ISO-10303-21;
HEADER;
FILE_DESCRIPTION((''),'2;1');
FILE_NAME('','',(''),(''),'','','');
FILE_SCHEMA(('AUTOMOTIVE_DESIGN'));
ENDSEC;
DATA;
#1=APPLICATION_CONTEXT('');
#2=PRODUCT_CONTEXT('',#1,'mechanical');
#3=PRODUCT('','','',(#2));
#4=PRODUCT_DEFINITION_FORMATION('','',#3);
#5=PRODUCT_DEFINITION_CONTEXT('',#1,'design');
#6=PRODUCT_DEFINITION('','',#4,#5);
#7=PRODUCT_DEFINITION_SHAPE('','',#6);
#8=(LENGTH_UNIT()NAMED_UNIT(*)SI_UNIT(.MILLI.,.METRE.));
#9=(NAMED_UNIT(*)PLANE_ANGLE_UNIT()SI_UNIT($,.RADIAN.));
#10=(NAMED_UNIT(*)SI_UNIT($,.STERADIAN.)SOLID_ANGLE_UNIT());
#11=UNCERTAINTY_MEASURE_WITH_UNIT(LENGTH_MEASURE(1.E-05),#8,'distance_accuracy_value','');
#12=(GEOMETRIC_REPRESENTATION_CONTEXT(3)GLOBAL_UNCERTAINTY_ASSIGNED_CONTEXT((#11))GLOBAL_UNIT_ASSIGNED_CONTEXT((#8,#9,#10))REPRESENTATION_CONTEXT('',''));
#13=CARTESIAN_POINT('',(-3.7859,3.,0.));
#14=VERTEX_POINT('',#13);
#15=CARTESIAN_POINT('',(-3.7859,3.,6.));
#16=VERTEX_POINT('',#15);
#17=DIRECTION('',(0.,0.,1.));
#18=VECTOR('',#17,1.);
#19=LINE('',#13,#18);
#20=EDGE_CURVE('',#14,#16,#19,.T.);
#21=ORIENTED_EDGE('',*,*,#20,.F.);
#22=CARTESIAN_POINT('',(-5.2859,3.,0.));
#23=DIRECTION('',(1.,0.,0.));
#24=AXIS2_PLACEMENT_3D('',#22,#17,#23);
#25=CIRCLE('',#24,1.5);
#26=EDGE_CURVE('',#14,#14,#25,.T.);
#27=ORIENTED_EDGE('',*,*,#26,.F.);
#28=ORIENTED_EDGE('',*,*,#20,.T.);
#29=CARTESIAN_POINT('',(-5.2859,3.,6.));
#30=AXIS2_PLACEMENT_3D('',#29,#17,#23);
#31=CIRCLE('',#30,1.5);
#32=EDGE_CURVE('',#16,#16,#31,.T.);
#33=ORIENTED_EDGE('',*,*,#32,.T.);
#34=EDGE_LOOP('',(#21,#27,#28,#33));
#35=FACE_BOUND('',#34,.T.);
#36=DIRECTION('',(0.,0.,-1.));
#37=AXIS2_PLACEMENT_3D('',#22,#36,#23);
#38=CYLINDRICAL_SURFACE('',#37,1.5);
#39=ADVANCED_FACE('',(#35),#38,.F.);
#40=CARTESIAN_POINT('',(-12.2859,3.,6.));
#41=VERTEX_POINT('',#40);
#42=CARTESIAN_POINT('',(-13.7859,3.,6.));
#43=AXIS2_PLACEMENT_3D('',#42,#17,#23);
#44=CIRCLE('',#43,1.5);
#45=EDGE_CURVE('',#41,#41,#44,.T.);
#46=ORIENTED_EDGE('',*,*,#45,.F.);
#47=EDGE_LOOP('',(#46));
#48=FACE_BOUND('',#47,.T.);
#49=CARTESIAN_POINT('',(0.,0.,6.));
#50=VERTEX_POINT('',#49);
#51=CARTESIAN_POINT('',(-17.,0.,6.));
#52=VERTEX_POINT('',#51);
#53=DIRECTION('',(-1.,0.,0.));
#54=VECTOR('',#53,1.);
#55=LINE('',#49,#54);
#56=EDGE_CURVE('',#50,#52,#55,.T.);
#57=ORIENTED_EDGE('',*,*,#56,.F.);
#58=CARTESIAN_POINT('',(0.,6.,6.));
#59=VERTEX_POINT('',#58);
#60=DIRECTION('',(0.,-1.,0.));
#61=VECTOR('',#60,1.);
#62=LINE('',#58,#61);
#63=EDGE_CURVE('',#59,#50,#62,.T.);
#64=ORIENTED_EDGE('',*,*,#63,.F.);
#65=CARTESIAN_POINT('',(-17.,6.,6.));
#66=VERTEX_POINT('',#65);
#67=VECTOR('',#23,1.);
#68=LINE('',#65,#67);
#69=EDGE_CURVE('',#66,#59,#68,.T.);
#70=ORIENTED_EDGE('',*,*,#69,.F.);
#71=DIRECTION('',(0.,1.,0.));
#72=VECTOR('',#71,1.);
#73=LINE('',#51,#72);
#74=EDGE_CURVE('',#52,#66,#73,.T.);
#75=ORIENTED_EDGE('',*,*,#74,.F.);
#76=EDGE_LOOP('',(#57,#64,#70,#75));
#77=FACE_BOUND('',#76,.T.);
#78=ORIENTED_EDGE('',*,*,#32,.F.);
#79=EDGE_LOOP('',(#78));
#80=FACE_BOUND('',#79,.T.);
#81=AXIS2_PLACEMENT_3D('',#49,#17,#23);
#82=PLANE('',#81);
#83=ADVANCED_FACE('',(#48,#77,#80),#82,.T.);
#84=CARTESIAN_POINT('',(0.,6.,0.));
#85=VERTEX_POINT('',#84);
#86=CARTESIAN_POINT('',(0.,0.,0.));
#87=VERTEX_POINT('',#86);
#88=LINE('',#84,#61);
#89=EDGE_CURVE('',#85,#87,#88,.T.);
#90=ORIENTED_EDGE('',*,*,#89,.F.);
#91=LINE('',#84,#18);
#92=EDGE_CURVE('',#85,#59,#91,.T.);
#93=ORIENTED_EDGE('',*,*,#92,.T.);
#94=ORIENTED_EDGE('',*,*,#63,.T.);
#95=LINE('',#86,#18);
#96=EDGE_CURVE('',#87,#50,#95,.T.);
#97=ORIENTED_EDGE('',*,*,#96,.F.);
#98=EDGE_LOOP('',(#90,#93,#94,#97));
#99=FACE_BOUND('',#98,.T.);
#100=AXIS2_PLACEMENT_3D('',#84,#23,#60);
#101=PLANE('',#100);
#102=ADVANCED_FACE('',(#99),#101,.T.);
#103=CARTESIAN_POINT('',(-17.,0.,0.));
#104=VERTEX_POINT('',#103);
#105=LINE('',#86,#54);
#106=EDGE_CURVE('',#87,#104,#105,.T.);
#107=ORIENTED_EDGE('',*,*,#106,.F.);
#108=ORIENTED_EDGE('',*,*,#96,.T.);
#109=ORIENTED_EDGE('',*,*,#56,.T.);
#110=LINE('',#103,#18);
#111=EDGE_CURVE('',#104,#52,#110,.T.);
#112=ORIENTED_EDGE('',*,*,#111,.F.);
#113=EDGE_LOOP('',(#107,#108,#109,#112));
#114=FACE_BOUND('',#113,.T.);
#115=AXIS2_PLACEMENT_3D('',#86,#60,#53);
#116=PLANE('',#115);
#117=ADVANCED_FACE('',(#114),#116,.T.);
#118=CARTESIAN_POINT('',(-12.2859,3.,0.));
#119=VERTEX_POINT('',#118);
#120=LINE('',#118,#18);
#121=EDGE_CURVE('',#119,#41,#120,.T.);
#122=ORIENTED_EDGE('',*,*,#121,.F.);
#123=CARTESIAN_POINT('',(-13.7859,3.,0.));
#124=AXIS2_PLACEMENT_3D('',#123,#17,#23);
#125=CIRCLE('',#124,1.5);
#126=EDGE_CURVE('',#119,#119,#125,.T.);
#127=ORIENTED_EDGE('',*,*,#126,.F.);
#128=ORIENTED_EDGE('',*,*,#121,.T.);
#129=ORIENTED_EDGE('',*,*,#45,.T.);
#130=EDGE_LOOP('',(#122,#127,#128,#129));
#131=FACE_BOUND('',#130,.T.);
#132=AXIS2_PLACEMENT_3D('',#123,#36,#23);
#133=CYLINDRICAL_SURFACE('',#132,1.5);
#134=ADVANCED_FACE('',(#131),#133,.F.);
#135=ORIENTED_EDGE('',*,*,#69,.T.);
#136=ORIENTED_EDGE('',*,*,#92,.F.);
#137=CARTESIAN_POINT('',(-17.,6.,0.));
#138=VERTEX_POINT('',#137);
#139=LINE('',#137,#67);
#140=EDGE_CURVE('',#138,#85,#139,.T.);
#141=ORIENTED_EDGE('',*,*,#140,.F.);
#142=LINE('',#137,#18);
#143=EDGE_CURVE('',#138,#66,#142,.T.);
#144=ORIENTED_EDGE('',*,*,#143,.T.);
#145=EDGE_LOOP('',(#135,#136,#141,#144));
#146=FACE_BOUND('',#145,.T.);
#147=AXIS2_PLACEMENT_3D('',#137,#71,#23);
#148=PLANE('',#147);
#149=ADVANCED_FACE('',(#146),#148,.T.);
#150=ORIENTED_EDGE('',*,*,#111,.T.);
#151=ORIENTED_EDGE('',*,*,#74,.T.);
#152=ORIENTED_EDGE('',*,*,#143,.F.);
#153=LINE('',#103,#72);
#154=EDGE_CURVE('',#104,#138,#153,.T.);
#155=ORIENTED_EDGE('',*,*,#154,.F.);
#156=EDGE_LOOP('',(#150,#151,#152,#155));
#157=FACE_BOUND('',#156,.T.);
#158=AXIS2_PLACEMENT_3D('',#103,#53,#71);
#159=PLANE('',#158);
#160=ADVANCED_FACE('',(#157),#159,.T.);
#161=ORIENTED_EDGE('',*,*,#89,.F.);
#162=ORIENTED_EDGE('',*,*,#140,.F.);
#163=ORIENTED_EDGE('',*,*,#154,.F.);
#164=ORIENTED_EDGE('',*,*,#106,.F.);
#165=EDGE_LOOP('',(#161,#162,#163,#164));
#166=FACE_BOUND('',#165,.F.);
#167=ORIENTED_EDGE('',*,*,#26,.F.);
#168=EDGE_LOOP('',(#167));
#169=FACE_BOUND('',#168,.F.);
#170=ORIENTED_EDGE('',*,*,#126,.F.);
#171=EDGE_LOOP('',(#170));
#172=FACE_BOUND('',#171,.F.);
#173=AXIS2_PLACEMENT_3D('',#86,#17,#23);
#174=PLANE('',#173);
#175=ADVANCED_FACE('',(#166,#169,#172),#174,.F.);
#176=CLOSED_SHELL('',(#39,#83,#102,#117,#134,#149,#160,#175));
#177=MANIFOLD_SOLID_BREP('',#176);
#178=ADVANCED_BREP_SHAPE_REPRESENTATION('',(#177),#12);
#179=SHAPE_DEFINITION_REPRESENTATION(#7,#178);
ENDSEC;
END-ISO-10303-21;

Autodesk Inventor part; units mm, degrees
ref_plane "YZ Plane" through (0, 0, 0) normal (1, 0, 0) x (0, 1, 0)
ref_plane "XZ Plane" through (0, 0, 0) normal (0, 1, 0) x (-1, 0, 0)
ref_plane "XY Plane" through (0, 0, 0) normal (0, 0, 1) x (1, 0, 0)
sketch "Sketch1" plane through (0, 0, 0) normal (0, 0, 1) x (1, 0, 0)
  circle A0 centre (-13.7859, 3) radius 1.5
  circle A1 centre (-5.2859, 3) radius 1.5
  line L0 (0, 0) -> (-17, 0)
  line L1 (0, 6) -> (0, 0)
  line L2 (-17, 6) -> (0, 6)
  line L3 (-17, 0) -> (-17, 6)
extrude "Extrusion1" add sketch "Sketch1" along normal blind 6
properties part number "XcrRightXEndstopTrigger"
